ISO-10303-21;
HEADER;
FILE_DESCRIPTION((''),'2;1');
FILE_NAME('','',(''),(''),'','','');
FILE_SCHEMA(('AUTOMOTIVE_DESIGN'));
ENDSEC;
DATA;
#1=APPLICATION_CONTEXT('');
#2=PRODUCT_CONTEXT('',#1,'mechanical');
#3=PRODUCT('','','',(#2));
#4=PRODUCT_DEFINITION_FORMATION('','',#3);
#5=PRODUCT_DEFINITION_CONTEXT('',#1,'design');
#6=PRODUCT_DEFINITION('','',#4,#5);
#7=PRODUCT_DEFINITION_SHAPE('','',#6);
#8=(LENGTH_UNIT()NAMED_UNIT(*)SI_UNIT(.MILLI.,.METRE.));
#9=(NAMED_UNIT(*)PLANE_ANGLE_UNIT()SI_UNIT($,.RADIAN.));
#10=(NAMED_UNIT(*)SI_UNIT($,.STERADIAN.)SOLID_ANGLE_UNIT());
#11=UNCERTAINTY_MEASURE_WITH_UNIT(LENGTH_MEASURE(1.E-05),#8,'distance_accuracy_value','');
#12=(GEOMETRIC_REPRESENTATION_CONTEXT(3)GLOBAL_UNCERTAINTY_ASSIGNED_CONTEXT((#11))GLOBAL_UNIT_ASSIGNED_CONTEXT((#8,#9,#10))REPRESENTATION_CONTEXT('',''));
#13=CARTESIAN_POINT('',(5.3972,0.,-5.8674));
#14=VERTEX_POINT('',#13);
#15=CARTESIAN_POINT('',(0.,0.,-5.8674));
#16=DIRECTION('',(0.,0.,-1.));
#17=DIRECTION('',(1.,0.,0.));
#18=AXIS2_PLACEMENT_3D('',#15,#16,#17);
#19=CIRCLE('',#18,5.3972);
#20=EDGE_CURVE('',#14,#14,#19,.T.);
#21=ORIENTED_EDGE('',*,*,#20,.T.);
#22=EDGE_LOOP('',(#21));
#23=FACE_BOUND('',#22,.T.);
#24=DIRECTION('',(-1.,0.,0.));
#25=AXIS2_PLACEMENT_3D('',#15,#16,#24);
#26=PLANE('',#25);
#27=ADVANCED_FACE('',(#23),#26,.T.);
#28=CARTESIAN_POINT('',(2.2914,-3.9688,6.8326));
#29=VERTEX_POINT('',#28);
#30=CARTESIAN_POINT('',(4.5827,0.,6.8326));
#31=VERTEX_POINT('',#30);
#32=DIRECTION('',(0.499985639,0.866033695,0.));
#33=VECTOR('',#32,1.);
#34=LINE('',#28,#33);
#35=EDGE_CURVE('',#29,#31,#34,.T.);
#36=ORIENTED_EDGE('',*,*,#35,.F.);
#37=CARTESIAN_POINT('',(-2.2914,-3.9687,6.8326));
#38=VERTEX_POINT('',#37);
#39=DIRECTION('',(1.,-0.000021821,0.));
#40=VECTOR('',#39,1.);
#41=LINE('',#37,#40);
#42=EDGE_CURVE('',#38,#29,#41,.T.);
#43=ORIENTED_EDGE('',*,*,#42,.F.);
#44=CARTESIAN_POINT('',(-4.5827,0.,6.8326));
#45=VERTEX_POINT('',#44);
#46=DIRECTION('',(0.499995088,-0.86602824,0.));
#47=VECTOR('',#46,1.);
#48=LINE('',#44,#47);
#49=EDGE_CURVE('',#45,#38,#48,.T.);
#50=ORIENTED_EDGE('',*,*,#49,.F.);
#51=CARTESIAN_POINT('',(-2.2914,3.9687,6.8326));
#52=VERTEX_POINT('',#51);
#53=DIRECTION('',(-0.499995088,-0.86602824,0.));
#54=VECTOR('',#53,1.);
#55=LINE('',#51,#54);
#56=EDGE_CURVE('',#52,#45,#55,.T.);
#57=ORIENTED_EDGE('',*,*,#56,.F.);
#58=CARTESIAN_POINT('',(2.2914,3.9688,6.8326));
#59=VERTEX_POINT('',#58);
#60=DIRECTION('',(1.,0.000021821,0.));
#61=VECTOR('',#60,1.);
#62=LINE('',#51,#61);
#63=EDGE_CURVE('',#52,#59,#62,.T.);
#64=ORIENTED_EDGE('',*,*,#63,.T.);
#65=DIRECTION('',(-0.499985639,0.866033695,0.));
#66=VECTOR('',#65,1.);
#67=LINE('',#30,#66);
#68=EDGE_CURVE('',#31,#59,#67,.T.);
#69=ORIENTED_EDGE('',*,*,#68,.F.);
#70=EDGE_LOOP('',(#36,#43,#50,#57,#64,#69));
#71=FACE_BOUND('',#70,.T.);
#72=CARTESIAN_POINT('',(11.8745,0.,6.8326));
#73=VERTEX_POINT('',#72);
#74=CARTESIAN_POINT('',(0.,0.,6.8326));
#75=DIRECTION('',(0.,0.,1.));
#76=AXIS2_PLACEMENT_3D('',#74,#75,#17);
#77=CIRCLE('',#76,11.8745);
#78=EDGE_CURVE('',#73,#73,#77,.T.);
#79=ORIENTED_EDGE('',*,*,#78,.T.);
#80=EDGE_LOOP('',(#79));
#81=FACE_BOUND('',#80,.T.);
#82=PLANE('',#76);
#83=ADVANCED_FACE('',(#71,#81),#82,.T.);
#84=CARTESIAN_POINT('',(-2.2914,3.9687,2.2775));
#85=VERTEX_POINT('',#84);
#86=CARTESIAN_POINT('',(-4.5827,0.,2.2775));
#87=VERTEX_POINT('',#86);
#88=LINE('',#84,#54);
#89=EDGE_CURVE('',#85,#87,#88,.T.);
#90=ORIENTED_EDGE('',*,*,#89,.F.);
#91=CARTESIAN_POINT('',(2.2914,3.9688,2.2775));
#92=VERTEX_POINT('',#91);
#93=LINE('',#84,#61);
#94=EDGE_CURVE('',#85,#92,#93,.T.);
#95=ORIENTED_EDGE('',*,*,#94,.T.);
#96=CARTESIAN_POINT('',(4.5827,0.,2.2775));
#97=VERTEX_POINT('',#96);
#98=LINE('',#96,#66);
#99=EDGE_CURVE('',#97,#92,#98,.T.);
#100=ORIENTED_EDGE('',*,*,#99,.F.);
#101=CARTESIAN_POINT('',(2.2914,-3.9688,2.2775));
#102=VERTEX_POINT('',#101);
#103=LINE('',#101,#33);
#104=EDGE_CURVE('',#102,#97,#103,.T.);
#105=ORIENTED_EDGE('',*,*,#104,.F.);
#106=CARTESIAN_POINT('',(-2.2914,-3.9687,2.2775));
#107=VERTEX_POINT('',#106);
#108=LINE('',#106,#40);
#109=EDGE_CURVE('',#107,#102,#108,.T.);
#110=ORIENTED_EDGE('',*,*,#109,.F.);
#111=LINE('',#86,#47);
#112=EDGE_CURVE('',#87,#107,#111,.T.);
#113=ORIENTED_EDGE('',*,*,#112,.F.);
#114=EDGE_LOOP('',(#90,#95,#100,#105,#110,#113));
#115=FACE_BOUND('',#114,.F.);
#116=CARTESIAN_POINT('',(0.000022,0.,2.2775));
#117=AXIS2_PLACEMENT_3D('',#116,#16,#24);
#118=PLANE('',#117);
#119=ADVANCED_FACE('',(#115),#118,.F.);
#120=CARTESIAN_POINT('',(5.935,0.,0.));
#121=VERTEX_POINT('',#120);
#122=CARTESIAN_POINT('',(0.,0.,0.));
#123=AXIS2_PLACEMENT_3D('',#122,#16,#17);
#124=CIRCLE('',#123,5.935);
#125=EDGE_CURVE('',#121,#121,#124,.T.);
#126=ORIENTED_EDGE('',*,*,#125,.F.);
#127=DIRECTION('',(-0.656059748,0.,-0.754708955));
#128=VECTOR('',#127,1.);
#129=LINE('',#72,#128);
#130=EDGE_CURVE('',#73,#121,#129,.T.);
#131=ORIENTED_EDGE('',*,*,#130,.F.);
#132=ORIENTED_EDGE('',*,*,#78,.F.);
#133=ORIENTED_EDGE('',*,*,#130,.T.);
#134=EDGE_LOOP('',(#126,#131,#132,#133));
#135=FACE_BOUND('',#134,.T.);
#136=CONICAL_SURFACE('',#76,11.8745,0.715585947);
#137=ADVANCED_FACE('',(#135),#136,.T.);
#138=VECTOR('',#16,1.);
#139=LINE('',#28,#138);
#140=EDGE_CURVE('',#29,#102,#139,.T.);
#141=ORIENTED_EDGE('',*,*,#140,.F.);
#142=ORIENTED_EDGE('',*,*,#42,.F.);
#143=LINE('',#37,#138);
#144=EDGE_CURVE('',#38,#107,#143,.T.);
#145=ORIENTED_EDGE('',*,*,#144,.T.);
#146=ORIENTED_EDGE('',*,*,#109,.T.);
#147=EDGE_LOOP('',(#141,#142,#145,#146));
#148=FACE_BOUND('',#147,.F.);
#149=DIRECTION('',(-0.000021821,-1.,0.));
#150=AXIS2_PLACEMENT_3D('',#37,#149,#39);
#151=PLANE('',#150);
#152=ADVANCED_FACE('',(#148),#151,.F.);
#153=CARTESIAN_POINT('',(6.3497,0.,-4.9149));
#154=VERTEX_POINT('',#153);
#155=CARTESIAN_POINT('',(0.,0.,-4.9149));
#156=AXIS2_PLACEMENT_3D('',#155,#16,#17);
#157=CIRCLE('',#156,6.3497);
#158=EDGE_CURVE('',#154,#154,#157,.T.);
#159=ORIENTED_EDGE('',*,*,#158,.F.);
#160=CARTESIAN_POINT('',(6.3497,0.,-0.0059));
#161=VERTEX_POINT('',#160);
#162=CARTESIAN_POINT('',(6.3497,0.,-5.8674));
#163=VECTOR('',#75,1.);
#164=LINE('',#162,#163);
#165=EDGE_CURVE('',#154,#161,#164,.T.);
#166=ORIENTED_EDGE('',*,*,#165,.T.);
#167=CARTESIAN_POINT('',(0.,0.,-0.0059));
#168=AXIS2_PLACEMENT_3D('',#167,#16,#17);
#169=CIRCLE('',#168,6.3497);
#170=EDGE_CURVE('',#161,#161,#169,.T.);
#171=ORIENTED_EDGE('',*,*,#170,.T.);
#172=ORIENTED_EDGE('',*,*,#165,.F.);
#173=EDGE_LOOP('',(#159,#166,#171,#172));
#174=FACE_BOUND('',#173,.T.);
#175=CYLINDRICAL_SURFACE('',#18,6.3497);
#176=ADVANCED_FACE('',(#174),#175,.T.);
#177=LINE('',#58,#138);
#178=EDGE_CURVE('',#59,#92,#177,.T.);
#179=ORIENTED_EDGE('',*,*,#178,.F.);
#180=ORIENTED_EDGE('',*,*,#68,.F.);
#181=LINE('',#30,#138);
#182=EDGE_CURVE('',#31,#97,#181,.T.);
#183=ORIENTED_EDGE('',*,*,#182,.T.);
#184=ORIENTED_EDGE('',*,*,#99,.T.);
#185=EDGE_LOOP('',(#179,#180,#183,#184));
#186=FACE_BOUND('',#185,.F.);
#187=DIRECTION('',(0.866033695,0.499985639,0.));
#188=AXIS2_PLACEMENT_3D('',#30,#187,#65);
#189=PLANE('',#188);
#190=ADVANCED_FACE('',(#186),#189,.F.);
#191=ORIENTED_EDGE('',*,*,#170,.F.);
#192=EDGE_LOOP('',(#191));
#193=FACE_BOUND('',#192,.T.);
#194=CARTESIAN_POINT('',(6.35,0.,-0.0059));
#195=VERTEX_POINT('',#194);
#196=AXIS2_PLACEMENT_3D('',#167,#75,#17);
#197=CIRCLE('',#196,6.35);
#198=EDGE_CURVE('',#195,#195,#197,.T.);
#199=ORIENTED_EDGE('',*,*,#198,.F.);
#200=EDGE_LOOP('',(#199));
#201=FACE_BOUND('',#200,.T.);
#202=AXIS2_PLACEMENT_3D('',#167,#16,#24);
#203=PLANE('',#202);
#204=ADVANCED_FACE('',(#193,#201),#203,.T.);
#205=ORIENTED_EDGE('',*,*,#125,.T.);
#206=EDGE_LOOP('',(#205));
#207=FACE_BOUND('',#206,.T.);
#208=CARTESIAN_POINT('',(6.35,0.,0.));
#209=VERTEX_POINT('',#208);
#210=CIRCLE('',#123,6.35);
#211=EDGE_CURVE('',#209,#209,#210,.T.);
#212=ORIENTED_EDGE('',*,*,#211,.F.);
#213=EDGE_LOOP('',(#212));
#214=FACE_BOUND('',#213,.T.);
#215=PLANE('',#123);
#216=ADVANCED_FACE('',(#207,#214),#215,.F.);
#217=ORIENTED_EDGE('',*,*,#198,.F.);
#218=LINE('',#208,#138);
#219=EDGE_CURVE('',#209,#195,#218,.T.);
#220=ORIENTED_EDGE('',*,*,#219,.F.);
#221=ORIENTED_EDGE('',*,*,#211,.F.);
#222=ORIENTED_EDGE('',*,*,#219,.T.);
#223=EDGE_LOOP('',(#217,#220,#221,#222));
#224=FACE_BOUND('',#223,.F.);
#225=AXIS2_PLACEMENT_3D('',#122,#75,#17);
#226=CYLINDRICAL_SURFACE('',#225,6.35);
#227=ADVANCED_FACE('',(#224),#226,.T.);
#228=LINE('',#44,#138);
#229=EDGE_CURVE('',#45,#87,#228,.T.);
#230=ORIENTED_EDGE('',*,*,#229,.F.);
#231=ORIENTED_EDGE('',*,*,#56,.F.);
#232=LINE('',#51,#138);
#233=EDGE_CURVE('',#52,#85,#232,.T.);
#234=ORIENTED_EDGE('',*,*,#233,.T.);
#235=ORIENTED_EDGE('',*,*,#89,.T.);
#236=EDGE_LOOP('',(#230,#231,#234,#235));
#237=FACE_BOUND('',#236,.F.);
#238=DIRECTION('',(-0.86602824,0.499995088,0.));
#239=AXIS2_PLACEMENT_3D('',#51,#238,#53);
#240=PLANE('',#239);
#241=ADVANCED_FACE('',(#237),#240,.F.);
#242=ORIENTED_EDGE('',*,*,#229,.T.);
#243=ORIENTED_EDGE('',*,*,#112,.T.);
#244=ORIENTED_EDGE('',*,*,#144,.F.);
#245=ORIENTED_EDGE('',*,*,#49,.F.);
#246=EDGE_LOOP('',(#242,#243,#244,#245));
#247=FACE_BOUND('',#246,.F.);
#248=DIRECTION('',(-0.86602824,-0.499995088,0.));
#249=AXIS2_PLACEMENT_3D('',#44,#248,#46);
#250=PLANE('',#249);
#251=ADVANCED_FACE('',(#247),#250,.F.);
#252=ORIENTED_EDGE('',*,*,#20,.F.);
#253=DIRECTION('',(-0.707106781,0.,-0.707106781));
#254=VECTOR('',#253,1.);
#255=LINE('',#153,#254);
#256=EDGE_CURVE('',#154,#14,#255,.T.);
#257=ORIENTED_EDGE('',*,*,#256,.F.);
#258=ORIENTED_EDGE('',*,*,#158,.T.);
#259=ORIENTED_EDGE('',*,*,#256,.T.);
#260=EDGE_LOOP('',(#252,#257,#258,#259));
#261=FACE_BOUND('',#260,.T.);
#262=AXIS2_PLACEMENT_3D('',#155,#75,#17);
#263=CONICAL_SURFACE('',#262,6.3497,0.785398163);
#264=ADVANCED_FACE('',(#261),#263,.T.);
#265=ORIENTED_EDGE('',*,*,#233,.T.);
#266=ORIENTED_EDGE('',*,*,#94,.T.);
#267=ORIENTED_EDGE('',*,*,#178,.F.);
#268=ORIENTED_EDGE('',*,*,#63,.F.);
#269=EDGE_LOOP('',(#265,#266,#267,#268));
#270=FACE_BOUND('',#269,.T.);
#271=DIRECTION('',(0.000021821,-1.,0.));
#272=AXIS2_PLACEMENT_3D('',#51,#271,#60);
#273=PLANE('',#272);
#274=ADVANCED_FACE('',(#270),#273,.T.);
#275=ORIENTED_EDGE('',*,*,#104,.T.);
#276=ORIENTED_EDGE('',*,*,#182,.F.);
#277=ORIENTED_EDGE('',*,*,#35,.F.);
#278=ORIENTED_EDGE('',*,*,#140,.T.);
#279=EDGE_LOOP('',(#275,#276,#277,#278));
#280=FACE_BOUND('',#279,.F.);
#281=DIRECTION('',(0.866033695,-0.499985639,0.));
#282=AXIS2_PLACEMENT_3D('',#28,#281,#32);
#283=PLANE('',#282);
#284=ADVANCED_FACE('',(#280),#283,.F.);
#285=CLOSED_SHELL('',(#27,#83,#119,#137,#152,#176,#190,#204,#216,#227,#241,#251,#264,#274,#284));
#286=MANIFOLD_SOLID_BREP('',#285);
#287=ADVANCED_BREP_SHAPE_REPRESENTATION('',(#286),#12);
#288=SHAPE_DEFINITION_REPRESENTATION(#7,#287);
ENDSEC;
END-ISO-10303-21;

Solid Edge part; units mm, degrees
sketch "Sketch1" plane through (0, 0, 0) normal (0, 0, 1) x (1, 0, 0)
  circle A0 centre (0, 0) radius 11.8745
  dimension "D1" = 23.749
extrude "Protrusion1" add sketch "Sketch1" along normal blind 6.8326
sketch "Sketch2" plane through (0, 0, 0) normal (0, 0, -1) x (1, 0, 0)
  circle A0 centre (0, 0) radius 6.35
extrude "Protrusion2" add sketch "Sketch2" along normal blind 5.8674
sketch "Sketch3" plane through (0, 0, -5.8674) normal (0, 0, -1) x (1, 0, 0)
  circle A0 centre (0, 0) radius 6.3497
extrude "Cutout1" cut sketch "Sketch3" against normal blind 5.8615 flip side to cut
chamfer "Chamfer_1" distance 0.9525 angle 45 1 edges at (-6.3497, 0, -5.8674)
sketch "Sketch4" plane through (0, 0, 6.8326) normal (0, 0, 1) x (1, 0, 0)
  line L0 (-2.2914, 3.9687) -> (2.2914, 3.9688)
  line L1 (4.5827, 0) -> (2.2914, 3.9688)
  line L2 (2.2914, -3.9688) -> (4.5827, 0)
  line L3 (-2.2914, -3.9687) -> (2.2914, -3.9688)
  line L4 (-4.5827, 0) -> (-2.2914, -3.9688)
  line L5 (-2.2914, 3.9688) -> (-4.5827, 0)
  dimension "D1" = 7.9375
extrude "Cutout2" cut sketch "Sketch4" against normal blind 4.5551
sketch "Sketch5" plane through (0, 0, 0) normal (0, -1, 0) x (1, 0, 0)
  line L0 (11.8745, 6.8326) -> (5.935, 0)
  line L1 (5.935, 0) -> (11.8745, 0)
  line L2 (11.8745, 0) -> (11.8745, 6.8326)
revolve "RevolvedCutout1" cut sketch "Sketch5" angle 360 about axis through (0, 0, 14.0017) along (0, 0, -1)
properties part number "108729"
